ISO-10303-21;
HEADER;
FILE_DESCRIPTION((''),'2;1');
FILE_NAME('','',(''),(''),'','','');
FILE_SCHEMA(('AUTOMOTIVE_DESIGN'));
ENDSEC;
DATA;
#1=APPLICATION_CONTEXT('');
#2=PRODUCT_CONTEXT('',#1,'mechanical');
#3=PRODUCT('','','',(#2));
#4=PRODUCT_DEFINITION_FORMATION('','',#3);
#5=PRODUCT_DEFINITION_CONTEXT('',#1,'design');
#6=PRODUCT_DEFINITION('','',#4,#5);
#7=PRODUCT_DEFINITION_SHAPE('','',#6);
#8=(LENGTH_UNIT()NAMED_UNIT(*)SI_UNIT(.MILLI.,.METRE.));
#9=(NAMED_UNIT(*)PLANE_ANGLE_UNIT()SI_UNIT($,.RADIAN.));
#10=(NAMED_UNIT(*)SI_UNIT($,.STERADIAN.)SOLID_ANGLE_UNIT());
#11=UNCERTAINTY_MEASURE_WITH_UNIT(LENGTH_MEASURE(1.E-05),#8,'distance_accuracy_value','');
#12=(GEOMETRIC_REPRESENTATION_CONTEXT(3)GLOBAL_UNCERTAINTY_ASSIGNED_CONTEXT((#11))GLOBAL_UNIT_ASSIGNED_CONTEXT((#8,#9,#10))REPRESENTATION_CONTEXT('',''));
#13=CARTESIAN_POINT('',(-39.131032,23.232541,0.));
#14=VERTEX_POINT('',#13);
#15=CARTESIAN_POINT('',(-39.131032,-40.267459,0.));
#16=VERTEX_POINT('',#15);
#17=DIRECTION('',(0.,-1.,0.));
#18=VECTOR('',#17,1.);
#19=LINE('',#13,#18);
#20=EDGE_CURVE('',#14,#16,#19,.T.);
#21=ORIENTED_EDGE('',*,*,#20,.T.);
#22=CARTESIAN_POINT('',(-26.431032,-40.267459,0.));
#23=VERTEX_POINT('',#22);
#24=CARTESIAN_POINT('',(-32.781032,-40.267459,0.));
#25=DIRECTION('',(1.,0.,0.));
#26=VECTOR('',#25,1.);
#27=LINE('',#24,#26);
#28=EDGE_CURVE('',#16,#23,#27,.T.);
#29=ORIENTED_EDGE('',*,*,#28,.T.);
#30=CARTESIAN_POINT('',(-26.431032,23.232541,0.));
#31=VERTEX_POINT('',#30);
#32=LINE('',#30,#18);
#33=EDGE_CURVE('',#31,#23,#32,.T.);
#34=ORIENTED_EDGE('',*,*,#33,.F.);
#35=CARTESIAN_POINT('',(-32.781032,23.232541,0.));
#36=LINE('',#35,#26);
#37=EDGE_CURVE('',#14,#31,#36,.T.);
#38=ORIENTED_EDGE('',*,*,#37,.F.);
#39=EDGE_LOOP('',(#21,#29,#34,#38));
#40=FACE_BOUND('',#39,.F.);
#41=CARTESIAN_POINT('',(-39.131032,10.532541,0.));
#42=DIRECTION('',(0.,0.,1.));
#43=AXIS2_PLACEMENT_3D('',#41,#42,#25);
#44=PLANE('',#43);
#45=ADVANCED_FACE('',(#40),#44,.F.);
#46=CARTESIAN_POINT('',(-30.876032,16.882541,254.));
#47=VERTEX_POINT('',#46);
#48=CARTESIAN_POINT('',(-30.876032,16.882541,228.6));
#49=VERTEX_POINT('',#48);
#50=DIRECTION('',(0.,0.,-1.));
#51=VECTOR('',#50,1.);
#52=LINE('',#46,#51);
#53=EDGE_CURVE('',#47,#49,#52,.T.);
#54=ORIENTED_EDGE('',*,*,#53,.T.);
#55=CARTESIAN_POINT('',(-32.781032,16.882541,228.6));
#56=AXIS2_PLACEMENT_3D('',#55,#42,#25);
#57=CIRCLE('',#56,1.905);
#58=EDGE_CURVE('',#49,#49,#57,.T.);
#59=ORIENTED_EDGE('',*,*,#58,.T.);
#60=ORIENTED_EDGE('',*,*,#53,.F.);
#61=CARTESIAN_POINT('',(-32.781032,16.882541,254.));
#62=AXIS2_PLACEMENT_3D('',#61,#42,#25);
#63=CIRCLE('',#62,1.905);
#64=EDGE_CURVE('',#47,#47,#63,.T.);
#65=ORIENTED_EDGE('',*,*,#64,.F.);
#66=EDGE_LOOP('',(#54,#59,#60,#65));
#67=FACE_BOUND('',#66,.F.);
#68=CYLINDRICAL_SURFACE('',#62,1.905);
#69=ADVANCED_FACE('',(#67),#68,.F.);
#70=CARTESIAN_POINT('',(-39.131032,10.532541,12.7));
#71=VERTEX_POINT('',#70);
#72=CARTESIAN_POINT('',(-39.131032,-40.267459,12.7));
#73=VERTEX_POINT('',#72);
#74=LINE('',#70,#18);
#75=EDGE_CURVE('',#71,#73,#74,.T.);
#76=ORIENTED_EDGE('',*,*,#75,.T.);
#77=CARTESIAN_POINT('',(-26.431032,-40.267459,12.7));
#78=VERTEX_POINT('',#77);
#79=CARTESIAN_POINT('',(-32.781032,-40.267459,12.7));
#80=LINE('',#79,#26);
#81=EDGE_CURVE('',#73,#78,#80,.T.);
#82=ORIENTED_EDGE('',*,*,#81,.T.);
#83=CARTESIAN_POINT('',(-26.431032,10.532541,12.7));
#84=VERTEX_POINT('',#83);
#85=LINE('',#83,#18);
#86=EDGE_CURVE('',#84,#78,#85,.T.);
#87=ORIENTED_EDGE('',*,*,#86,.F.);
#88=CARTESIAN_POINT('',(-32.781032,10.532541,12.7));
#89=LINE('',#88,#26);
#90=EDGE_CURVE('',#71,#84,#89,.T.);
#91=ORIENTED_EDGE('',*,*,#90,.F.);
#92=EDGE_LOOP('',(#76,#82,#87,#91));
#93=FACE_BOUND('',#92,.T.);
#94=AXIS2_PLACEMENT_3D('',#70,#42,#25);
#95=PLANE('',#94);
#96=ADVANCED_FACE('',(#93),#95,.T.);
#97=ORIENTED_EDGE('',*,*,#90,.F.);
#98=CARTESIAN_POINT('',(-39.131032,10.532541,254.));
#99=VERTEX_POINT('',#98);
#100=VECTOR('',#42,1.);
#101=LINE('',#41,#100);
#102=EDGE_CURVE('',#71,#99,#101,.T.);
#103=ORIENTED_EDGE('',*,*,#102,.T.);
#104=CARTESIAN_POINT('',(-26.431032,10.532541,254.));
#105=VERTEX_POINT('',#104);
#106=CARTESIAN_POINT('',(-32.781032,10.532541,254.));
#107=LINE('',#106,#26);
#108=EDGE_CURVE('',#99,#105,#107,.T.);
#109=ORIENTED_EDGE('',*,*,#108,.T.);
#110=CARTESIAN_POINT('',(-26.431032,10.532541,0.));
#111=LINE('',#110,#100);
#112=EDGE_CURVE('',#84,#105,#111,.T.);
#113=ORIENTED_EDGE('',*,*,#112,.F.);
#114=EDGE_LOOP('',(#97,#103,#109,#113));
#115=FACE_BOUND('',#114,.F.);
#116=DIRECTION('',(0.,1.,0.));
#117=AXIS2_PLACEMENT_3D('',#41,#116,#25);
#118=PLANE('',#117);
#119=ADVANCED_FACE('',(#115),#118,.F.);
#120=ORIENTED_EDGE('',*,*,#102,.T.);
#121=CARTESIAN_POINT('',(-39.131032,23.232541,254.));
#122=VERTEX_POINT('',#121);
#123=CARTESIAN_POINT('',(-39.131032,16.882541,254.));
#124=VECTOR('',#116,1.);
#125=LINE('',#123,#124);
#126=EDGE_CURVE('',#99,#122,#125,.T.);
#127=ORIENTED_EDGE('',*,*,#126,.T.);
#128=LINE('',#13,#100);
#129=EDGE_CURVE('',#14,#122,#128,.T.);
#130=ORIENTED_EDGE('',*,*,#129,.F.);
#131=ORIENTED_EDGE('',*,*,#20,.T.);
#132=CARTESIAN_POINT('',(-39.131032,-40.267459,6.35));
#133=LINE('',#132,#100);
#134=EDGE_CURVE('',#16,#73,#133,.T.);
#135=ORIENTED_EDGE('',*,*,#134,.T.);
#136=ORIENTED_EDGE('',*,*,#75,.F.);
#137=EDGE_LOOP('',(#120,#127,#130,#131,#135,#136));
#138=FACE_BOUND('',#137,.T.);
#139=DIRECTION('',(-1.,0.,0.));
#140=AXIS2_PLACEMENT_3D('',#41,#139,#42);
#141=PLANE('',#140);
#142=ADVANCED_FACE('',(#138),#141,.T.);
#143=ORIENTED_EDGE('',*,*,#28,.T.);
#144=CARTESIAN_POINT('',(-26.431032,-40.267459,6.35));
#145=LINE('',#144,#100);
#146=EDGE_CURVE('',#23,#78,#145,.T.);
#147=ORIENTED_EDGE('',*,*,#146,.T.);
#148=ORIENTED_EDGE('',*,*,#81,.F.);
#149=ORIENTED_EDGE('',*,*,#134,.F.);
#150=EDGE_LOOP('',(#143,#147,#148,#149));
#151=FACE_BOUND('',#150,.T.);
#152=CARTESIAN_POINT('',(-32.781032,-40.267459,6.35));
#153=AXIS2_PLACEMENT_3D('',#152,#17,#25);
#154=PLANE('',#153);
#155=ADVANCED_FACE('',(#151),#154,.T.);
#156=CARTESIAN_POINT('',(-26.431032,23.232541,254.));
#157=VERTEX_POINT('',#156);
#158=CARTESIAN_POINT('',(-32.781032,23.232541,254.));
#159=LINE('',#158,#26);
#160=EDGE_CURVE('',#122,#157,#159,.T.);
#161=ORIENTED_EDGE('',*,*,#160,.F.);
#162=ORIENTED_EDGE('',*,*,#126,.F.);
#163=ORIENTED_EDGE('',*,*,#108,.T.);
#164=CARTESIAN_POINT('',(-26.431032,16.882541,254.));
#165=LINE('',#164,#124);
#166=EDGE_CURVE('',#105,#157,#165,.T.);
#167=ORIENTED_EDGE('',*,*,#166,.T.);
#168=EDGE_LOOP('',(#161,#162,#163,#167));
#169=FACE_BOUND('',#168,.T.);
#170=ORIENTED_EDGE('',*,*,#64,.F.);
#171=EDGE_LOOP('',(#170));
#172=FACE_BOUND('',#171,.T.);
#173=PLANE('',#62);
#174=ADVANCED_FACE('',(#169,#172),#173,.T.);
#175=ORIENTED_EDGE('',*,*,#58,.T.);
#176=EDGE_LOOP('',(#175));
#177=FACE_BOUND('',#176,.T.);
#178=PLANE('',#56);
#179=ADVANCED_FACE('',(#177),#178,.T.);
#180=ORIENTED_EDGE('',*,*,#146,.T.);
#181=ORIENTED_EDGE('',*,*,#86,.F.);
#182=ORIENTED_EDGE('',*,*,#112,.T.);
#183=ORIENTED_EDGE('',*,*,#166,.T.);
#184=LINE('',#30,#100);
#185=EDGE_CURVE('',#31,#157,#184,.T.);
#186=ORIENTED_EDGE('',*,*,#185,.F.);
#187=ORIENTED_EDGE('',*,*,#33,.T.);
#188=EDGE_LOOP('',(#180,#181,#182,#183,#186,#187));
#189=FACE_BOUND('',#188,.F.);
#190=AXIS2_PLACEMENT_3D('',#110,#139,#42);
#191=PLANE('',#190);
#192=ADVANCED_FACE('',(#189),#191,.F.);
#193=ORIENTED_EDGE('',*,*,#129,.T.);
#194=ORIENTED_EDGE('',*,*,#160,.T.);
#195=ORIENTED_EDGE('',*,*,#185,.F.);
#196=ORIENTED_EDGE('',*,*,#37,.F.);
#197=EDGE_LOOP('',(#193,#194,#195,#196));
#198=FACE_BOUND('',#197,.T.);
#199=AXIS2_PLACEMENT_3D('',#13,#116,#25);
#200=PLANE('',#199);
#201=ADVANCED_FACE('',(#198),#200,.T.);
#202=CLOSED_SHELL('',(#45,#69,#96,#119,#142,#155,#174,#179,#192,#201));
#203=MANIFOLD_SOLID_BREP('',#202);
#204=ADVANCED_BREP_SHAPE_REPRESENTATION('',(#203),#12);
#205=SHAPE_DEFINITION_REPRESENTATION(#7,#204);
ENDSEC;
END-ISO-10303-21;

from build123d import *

# Parameters (mm, degrees)
F0_W      = 6.35
F0_H      = 203.5342199714
F1_DEPTH  = 101.6
F2_W      = 101.6
F2_H      = 6.35
F3_DEPTH  = 25.4
F5_W      = 12.7
F5_H      = 12.7
F6_DEPTH  = 254
F7_R      = 1.905
F8_DEPTH  = 25.4
F9_W      = 12.7
F9_H      = 12.7
F10_DEPTH = 50.8


with BuildPart() as f1:
    # F0 (on Right) → F1 (new body)
    with BuildSketch(Plane.YZ):
        Polygon((-3.0652988178, -75.2811529749), (-98.3152988178, -75.2811529749), (-98.3152988178, -81.6311529749), (3.2847011822, -81.6311529749), (3.2847011822, -75.2811529749), align=None)
        with Locations((0.1097011822, 26.4859570108)):
            Rectangle(F0_W, F0_H)
    extrude(amount=F1_DEPTH)

    # F2 (on face) → F3 (join)
    with BuildSketch(Plane.XY.offset(-75.2811529749)):
        with Locations((50.8, -95.1402988178)):
            Rectangle(F2_W, F2_H)
    extrude(amount=F3_DEPTH)


with BuildPart() as f6:
    # F5 (on Top) → F6 (new body)
    with BuildSketch(Plane.XY):
        with Locations((-32.7810319141, 16.882541026)):
            Rectangle(F5_W, F5_H)
    extrude(amount=F6_DEPTH)

    # F7 (on face) → F8 (cut)
    with BuildSketch(Plane.XY.offset(254)):
        with Locations((-32.7810319141, 16.882541026)):
            Circle(F7_R)
    extrude(amount=-F8_DEPTH, mode=Mode.SUBTRACT)

    # F9 (on face) → F10 (join)
    with BuildSketch(Plane.XZ.offset(-10.532541026)):
        with Locations((-32.7810319141, 6.35)):
            Rectangle(F9_W, F9_H)
    extrude(amount=F10_DEPTH)


solid = f6.part
